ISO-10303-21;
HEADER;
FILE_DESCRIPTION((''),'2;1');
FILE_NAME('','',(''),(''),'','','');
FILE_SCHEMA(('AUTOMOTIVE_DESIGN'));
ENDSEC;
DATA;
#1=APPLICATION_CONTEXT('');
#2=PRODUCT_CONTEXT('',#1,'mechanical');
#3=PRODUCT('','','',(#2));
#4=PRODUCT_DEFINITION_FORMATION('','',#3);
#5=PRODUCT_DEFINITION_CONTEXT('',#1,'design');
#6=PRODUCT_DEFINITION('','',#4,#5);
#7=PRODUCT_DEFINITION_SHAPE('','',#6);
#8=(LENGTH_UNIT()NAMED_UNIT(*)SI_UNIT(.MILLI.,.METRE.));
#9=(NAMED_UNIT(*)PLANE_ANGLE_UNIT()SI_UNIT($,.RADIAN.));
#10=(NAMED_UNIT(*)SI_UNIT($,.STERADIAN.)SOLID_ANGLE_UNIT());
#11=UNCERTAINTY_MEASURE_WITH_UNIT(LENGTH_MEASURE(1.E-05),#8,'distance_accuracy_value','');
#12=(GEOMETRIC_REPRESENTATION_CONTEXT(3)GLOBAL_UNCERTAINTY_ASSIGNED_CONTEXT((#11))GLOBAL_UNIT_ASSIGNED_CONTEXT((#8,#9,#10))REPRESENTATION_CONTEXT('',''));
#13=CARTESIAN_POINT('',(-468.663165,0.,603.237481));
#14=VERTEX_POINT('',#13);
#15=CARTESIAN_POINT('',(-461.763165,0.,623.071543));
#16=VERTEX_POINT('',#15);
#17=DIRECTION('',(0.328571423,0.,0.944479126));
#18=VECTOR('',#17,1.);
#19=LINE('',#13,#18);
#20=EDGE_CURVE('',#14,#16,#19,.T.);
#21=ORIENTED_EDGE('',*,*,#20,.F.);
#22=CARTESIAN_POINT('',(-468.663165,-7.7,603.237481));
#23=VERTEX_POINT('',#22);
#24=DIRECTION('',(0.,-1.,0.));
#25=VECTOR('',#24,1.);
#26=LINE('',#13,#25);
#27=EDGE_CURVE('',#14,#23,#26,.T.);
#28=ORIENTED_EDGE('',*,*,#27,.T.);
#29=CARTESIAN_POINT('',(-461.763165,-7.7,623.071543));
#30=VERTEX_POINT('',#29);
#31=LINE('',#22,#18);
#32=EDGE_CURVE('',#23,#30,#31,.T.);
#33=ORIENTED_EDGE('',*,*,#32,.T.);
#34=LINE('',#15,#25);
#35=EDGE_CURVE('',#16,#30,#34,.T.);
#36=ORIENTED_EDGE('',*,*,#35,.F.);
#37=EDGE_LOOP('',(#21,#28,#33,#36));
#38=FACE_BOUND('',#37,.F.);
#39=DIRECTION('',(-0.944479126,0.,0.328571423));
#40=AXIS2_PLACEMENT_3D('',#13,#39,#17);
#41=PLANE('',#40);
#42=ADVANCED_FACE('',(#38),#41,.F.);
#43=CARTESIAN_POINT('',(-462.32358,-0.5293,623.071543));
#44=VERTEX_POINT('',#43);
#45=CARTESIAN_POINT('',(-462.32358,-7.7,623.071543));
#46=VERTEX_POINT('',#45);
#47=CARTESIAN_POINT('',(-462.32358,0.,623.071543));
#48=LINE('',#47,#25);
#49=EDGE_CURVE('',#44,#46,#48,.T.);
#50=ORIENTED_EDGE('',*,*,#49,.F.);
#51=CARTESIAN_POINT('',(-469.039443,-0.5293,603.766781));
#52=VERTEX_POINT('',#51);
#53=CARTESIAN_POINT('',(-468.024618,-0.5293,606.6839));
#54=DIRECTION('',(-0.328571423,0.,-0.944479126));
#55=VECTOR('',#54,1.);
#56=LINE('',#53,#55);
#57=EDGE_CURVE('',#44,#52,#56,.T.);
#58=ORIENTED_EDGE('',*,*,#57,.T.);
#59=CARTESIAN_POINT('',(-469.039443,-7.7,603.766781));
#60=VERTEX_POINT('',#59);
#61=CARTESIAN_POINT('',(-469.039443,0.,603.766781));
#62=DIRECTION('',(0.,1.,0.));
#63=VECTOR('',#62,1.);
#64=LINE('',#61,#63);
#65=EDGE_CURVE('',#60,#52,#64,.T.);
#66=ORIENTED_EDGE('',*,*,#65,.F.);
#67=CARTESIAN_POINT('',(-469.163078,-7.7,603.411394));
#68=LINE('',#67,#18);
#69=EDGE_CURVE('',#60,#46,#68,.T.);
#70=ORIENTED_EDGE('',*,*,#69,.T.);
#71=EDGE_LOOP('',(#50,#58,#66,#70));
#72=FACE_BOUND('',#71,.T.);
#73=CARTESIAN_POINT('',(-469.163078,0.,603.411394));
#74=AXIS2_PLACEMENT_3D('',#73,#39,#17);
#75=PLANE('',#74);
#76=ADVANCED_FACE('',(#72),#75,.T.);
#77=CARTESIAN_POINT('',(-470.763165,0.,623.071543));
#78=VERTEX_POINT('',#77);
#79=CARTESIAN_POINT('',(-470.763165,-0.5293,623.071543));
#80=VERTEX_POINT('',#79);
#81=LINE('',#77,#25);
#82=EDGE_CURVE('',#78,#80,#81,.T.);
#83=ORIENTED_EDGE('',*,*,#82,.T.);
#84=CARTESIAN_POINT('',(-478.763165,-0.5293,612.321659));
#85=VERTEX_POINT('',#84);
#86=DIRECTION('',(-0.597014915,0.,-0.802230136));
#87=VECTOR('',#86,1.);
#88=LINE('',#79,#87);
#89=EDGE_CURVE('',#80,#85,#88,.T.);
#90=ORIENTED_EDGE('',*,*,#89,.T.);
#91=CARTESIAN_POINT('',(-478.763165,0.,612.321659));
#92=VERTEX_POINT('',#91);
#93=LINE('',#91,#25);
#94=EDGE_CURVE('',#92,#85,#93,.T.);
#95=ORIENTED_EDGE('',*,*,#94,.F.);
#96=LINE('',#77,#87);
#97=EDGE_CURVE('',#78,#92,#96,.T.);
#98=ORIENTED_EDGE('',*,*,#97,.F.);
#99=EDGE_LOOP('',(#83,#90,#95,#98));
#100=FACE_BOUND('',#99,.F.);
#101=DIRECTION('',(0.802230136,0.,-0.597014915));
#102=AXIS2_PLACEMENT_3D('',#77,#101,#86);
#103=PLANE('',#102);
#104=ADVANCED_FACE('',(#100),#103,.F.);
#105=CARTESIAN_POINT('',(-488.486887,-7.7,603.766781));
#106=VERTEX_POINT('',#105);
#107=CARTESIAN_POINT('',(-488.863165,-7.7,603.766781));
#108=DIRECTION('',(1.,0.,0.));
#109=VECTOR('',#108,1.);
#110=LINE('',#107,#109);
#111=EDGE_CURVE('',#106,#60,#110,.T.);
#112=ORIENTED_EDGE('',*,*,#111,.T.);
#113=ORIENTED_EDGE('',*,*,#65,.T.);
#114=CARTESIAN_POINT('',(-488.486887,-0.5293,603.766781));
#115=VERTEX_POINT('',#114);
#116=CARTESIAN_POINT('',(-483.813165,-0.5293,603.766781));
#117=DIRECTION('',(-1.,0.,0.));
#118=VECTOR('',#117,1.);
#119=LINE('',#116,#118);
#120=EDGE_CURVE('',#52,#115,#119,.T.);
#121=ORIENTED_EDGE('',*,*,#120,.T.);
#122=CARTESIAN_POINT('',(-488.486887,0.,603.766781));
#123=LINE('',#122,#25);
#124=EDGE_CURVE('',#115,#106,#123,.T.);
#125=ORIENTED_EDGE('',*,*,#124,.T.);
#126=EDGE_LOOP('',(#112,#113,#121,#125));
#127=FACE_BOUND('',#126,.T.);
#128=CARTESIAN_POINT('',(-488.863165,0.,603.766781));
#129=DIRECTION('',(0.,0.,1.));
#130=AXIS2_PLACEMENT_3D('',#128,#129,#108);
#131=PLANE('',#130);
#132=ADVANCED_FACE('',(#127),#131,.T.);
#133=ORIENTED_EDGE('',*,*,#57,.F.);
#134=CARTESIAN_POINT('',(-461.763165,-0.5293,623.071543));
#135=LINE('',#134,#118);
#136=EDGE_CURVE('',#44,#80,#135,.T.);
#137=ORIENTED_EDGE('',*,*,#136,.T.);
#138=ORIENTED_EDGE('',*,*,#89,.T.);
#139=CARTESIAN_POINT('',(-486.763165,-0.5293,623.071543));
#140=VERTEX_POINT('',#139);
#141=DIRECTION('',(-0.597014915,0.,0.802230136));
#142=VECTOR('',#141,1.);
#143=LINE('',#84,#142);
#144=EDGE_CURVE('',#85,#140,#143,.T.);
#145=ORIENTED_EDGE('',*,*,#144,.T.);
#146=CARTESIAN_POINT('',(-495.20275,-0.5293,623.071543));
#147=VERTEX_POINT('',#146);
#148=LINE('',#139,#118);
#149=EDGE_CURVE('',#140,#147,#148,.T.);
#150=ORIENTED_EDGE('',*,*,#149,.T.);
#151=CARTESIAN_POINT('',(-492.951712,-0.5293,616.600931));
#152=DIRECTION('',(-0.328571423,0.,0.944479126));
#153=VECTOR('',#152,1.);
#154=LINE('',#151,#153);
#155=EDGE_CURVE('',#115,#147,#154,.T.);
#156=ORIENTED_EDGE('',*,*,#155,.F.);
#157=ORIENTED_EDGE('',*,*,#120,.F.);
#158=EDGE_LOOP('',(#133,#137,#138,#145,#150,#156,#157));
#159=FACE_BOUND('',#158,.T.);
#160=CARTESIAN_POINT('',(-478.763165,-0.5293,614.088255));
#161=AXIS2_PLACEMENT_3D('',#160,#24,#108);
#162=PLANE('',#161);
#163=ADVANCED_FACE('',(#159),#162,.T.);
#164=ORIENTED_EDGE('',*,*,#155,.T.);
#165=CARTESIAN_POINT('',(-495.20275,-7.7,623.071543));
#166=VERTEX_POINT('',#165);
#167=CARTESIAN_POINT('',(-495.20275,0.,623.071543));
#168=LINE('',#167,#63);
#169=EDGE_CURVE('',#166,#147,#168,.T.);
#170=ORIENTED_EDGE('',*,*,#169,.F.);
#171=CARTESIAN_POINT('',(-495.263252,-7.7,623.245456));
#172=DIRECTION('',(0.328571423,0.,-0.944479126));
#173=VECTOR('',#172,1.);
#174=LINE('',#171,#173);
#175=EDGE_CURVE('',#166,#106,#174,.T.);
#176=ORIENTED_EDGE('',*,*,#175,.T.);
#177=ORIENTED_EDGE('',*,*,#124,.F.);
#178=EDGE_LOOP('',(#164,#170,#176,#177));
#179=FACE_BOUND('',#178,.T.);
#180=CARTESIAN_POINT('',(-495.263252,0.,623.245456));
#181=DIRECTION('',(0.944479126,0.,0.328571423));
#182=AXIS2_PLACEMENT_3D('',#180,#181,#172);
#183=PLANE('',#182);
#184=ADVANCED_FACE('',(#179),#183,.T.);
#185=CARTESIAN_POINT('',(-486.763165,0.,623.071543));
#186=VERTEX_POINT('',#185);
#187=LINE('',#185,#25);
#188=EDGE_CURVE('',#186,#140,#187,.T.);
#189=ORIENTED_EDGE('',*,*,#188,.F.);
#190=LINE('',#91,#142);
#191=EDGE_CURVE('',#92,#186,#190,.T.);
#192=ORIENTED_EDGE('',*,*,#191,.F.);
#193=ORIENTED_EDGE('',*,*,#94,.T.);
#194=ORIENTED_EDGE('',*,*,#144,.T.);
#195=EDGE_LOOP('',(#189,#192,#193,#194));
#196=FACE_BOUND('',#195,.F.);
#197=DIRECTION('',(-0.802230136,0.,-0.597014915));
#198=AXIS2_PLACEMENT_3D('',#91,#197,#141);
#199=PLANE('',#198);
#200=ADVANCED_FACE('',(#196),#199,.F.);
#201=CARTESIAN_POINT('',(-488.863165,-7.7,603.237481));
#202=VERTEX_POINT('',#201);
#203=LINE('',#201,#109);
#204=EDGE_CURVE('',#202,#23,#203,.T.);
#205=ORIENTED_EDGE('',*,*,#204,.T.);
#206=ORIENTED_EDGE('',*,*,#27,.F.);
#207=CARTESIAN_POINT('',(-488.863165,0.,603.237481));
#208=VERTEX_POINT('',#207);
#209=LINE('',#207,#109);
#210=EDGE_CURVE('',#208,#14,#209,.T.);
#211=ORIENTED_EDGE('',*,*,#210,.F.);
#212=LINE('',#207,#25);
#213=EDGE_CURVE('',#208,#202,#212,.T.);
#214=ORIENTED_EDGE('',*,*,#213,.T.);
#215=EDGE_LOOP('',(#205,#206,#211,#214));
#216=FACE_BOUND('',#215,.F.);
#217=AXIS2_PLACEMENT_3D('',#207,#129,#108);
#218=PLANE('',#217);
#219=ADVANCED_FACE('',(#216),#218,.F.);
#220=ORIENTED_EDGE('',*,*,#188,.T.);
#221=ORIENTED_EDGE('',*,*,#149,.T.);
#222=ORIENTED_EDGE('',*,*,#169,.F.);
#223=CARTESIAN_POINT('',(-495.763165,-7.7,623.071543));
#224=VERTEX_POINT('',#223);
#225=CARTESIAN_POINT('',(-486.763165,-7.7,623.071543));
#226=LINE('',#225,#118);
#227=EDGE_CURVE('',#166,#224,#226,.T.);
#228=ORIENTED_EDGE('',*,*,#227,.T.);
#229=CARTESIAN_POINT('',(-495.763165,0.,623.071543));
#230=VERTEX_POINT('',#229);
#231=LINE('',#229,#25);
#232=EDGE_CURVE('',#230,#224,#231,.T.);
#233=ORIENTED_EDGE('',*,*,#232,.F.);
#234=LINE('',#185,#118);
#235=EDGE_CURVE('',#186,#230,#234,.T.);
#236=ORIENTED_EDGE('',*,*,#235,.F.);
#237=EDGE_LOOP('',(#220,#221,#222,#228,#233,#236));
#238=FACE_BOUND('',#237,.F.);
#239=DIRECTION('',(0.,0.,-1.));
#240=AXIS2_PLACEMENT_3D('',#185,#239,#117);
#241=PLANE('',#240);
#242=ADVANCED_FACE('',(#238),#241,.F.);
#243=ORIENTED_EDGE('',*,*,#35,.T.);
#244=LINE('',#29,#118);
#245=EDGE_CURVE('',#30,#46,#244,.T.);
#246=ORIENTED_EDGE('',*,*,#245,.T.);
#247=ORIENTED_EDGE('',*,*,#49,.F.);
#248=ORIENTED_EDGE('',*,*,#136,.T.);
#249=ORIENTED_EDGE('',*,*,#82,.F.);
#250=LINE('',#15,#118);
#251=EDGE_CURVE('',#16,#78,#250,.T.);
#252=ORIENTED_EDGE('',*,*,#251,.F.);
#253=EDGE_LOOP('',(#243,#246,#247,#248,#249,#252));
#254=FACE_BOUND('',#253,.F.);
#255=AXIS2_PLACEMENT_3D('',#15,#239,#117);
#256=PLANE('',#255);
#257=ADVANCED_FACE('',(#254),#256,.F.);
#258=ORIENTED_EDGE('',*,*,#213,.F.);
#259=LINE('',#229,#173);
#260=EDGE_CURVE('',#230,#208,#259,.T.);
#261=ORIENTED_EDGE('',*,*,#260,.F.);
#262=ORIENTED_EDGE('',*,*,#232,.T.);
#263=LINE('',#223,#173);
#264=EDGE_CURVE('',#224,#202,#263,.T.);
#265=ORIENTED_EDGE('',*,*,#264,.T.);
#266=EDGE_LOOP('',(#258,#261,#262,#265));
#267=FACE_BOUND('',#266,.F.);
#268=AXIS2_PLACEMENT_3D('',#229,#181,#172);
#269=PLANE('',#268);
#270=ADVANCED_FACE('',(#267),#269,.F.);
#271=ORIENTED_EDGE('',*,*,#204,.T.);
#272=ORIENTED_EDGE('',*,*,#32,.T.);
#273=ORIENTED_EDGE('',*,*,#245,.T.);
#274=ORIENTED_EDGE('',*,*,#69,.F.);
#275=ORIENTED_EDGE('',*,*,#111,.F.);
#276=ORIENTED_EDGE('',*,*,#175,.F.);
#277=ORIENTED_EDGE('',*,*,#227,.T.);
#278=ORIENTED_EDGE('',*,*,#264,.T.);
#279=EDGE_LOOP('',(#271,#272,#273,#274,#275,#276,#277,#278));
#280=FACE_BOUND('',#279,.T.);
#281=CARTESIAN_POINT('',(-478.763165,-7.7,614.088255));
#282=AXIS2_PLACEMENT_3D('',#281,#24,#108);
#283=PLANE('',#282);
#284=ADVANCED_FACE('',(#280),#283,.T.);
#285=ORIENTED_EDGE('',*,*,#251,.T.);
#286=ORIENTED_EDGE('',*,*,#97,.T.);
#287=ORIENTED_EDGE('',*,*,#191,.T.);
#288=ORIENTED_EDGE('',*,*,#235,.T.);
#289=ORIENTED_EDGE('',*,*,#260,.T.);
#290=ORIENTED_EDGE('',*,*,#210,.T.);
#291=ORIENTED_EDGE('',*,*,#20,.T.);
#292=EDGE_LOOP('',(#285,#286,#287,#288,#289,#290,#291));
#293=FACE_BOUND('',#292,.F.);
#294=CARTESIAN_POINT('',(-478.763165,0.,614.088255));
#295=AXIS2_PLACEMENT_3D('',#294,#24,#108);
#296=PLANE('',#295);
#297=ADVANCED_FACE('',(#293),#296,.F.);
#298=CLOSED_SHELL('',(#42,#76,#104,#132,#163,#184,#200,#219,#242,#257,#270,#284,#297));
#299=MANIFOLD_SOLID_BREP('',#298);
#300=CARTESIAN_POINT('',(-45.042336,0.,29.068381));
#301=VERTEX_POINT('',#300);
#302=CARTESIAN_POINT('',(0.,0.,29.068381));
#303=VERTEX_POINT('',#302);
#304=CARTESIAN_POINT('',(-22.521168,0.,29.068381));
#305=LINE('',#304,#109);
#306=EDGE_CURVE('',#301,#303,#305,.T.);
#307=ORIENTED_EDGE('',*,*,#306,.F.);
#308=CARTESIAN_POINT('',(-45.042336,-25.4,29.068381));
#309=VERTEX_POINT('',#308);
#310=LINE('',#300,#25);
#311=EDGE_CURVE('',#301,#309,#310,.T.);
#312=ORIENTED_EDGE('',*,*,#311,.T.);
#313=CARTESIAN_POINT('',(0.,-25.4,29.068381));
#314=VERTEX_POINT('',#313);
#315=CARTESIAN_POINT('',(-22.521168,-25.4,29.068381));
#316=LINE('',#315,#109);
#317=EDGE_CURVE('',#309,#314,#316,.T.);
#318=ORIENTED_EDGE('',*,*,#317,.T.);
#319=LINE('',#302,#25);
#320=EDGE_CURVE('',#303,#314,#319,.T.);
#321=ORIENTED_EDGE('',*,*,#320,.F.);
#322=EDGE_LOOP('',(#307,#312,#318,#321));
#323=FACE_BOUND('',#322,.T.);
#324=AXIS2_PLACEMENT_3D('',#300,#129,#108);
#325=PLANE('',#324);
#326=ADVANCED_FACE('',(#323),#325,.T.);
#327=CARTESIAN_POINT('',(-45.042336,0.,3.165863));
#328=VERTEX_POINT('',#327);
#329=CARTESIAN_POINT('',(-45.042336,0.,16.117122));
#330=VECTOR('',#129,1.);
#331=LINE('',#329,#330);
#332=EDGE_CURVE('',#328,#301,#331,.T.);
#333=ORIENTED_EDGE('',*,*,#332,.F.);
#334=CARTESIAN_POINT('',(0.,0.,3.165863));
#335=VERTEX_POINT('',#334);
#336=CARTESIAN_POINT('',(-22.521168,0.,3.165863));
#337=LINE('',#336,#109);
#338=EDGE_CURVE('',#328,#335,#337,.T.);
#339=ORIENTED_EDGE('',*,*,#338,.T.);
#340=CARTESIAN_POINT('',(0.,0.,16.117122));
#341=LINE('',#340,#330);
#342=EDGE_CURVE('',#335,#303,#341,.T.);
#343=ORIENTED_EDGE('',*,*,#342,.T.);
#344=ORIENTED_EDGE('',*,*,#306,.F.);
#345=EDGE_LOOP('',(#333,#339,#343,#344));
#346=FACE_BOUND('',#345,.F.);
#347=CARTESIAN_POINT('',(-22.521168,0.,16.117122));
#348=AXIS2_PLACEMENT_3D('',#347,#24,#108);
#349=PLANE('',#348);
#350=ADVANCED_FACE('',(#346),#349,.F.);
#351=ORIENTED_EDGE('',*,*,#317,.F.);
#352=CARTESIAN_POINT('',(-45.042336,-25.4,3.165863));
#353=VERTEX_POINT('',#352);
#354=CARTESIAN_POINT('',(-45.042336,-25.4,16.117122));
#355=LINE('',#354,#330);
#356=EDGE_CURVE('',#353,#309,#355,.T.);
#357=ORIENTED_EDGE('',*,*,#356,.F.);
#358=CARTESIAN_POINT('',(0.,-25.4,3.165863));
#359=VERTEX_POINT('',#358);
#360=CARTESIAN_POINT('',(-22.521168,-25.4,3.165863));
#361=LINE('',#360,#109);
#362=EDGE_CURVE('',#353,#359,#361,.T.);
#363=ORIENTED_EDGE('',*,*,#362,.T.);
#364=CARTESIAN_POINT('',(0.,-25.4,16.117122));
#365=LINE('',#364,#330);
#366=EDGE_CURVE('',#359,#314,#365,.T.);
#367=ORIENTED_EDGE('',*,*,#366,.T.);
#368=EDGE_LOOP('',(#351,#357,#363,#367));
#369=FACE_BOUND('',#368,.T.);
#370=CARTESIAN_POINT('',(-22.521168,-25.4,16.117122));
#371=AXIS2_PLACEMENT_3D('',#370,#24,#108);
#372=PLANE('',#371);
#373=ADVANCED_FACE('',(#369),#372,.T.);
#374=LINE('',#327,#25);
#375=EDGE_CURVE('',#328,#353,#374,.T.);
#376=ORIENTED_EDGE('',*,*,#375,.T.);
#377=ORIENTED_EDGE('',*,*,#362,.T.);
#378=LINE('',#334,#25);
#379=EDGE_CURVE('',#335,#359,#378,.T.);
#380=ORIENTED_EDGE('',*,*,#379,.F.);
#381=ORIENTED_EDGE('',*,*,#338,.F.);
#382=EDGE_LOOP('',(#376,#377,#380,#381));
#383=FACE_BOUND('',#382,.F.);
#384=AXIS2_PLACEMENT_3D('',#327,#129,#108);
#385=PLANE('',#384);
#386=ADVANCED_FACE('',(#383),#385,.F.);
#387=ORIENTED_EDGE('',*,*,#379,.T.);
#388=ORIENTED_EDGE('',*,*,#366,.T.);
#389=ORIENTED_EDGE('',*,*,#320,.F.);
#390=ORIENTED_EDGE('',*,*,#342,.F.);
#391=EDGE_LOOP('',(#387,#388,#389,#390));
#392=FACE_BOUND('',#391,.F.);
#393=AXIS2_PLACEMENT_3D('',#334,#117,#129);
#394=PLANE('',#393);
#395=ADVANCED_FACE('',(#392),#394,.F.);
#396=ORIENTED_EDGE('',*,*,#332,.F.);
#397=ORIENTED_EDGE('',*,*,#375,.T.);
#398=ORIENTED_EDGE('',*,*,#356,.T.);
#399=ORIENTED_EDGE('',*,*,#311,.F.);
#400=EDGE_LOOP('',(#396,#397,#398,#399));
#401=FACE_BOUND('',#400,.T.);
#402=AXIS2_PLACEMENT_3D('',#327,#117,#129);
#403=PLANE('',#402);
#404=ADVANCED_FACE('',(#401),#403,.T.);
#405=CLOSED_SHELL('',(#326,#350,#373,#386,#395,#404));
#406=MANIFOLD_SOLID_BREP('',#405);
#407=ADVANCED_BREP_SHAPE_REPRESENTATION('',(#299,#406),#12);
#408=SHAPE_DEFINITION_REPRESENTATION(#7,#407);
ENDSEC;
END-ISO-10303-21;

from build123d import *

# Parameters (mm, degrees)
F0_W     = 45.042336
F0_H     = 25.902518
F1_DEPTH = 25.4
F3_DEPTH = 7.7
F4_T     = -0.5293


with BuildPart() as f1:
    # F0 (on Front) → F1 (new body)
    with BuildSketch(Plane.XZ):
        with Locations((-22.521168, 16.117122)):
            Rectangle(F0_W, F0_H)
    extrude(amount=F1_DEPTH)


with BuildPart() as f3:
    # F2 (on Front) → F3 (new body)
    with BuildSketch(Plane.XZ):
        Polygon((-495.763165, 623.071543), (-488.863165, 603.237481), (-468.663165, 603.237481), (-461.763165, 623.071543), (-470.763165, 623.071543), (-478.763165, 612.321659), (-486.763165, 623.071543), align=None)
    extrude(amount=F3_DEPTH)

    # F4
    f4_openings = [f3.faces().sort_by_distance(p)[0] for p in [
        (-466.263165, -3.85, 623.071543),
        (-474.763165, -3.85, 617.696601),
        (-465.584933, -7.7, 613.283845),
        (-491.263165, -3.85, 623.071543),
        (-482.763165, -3.85, 617.696601),
    ]]
    offset(amount=F4_T, openings=f4_openings)


solid = Compound([f1.part, f3.part])
